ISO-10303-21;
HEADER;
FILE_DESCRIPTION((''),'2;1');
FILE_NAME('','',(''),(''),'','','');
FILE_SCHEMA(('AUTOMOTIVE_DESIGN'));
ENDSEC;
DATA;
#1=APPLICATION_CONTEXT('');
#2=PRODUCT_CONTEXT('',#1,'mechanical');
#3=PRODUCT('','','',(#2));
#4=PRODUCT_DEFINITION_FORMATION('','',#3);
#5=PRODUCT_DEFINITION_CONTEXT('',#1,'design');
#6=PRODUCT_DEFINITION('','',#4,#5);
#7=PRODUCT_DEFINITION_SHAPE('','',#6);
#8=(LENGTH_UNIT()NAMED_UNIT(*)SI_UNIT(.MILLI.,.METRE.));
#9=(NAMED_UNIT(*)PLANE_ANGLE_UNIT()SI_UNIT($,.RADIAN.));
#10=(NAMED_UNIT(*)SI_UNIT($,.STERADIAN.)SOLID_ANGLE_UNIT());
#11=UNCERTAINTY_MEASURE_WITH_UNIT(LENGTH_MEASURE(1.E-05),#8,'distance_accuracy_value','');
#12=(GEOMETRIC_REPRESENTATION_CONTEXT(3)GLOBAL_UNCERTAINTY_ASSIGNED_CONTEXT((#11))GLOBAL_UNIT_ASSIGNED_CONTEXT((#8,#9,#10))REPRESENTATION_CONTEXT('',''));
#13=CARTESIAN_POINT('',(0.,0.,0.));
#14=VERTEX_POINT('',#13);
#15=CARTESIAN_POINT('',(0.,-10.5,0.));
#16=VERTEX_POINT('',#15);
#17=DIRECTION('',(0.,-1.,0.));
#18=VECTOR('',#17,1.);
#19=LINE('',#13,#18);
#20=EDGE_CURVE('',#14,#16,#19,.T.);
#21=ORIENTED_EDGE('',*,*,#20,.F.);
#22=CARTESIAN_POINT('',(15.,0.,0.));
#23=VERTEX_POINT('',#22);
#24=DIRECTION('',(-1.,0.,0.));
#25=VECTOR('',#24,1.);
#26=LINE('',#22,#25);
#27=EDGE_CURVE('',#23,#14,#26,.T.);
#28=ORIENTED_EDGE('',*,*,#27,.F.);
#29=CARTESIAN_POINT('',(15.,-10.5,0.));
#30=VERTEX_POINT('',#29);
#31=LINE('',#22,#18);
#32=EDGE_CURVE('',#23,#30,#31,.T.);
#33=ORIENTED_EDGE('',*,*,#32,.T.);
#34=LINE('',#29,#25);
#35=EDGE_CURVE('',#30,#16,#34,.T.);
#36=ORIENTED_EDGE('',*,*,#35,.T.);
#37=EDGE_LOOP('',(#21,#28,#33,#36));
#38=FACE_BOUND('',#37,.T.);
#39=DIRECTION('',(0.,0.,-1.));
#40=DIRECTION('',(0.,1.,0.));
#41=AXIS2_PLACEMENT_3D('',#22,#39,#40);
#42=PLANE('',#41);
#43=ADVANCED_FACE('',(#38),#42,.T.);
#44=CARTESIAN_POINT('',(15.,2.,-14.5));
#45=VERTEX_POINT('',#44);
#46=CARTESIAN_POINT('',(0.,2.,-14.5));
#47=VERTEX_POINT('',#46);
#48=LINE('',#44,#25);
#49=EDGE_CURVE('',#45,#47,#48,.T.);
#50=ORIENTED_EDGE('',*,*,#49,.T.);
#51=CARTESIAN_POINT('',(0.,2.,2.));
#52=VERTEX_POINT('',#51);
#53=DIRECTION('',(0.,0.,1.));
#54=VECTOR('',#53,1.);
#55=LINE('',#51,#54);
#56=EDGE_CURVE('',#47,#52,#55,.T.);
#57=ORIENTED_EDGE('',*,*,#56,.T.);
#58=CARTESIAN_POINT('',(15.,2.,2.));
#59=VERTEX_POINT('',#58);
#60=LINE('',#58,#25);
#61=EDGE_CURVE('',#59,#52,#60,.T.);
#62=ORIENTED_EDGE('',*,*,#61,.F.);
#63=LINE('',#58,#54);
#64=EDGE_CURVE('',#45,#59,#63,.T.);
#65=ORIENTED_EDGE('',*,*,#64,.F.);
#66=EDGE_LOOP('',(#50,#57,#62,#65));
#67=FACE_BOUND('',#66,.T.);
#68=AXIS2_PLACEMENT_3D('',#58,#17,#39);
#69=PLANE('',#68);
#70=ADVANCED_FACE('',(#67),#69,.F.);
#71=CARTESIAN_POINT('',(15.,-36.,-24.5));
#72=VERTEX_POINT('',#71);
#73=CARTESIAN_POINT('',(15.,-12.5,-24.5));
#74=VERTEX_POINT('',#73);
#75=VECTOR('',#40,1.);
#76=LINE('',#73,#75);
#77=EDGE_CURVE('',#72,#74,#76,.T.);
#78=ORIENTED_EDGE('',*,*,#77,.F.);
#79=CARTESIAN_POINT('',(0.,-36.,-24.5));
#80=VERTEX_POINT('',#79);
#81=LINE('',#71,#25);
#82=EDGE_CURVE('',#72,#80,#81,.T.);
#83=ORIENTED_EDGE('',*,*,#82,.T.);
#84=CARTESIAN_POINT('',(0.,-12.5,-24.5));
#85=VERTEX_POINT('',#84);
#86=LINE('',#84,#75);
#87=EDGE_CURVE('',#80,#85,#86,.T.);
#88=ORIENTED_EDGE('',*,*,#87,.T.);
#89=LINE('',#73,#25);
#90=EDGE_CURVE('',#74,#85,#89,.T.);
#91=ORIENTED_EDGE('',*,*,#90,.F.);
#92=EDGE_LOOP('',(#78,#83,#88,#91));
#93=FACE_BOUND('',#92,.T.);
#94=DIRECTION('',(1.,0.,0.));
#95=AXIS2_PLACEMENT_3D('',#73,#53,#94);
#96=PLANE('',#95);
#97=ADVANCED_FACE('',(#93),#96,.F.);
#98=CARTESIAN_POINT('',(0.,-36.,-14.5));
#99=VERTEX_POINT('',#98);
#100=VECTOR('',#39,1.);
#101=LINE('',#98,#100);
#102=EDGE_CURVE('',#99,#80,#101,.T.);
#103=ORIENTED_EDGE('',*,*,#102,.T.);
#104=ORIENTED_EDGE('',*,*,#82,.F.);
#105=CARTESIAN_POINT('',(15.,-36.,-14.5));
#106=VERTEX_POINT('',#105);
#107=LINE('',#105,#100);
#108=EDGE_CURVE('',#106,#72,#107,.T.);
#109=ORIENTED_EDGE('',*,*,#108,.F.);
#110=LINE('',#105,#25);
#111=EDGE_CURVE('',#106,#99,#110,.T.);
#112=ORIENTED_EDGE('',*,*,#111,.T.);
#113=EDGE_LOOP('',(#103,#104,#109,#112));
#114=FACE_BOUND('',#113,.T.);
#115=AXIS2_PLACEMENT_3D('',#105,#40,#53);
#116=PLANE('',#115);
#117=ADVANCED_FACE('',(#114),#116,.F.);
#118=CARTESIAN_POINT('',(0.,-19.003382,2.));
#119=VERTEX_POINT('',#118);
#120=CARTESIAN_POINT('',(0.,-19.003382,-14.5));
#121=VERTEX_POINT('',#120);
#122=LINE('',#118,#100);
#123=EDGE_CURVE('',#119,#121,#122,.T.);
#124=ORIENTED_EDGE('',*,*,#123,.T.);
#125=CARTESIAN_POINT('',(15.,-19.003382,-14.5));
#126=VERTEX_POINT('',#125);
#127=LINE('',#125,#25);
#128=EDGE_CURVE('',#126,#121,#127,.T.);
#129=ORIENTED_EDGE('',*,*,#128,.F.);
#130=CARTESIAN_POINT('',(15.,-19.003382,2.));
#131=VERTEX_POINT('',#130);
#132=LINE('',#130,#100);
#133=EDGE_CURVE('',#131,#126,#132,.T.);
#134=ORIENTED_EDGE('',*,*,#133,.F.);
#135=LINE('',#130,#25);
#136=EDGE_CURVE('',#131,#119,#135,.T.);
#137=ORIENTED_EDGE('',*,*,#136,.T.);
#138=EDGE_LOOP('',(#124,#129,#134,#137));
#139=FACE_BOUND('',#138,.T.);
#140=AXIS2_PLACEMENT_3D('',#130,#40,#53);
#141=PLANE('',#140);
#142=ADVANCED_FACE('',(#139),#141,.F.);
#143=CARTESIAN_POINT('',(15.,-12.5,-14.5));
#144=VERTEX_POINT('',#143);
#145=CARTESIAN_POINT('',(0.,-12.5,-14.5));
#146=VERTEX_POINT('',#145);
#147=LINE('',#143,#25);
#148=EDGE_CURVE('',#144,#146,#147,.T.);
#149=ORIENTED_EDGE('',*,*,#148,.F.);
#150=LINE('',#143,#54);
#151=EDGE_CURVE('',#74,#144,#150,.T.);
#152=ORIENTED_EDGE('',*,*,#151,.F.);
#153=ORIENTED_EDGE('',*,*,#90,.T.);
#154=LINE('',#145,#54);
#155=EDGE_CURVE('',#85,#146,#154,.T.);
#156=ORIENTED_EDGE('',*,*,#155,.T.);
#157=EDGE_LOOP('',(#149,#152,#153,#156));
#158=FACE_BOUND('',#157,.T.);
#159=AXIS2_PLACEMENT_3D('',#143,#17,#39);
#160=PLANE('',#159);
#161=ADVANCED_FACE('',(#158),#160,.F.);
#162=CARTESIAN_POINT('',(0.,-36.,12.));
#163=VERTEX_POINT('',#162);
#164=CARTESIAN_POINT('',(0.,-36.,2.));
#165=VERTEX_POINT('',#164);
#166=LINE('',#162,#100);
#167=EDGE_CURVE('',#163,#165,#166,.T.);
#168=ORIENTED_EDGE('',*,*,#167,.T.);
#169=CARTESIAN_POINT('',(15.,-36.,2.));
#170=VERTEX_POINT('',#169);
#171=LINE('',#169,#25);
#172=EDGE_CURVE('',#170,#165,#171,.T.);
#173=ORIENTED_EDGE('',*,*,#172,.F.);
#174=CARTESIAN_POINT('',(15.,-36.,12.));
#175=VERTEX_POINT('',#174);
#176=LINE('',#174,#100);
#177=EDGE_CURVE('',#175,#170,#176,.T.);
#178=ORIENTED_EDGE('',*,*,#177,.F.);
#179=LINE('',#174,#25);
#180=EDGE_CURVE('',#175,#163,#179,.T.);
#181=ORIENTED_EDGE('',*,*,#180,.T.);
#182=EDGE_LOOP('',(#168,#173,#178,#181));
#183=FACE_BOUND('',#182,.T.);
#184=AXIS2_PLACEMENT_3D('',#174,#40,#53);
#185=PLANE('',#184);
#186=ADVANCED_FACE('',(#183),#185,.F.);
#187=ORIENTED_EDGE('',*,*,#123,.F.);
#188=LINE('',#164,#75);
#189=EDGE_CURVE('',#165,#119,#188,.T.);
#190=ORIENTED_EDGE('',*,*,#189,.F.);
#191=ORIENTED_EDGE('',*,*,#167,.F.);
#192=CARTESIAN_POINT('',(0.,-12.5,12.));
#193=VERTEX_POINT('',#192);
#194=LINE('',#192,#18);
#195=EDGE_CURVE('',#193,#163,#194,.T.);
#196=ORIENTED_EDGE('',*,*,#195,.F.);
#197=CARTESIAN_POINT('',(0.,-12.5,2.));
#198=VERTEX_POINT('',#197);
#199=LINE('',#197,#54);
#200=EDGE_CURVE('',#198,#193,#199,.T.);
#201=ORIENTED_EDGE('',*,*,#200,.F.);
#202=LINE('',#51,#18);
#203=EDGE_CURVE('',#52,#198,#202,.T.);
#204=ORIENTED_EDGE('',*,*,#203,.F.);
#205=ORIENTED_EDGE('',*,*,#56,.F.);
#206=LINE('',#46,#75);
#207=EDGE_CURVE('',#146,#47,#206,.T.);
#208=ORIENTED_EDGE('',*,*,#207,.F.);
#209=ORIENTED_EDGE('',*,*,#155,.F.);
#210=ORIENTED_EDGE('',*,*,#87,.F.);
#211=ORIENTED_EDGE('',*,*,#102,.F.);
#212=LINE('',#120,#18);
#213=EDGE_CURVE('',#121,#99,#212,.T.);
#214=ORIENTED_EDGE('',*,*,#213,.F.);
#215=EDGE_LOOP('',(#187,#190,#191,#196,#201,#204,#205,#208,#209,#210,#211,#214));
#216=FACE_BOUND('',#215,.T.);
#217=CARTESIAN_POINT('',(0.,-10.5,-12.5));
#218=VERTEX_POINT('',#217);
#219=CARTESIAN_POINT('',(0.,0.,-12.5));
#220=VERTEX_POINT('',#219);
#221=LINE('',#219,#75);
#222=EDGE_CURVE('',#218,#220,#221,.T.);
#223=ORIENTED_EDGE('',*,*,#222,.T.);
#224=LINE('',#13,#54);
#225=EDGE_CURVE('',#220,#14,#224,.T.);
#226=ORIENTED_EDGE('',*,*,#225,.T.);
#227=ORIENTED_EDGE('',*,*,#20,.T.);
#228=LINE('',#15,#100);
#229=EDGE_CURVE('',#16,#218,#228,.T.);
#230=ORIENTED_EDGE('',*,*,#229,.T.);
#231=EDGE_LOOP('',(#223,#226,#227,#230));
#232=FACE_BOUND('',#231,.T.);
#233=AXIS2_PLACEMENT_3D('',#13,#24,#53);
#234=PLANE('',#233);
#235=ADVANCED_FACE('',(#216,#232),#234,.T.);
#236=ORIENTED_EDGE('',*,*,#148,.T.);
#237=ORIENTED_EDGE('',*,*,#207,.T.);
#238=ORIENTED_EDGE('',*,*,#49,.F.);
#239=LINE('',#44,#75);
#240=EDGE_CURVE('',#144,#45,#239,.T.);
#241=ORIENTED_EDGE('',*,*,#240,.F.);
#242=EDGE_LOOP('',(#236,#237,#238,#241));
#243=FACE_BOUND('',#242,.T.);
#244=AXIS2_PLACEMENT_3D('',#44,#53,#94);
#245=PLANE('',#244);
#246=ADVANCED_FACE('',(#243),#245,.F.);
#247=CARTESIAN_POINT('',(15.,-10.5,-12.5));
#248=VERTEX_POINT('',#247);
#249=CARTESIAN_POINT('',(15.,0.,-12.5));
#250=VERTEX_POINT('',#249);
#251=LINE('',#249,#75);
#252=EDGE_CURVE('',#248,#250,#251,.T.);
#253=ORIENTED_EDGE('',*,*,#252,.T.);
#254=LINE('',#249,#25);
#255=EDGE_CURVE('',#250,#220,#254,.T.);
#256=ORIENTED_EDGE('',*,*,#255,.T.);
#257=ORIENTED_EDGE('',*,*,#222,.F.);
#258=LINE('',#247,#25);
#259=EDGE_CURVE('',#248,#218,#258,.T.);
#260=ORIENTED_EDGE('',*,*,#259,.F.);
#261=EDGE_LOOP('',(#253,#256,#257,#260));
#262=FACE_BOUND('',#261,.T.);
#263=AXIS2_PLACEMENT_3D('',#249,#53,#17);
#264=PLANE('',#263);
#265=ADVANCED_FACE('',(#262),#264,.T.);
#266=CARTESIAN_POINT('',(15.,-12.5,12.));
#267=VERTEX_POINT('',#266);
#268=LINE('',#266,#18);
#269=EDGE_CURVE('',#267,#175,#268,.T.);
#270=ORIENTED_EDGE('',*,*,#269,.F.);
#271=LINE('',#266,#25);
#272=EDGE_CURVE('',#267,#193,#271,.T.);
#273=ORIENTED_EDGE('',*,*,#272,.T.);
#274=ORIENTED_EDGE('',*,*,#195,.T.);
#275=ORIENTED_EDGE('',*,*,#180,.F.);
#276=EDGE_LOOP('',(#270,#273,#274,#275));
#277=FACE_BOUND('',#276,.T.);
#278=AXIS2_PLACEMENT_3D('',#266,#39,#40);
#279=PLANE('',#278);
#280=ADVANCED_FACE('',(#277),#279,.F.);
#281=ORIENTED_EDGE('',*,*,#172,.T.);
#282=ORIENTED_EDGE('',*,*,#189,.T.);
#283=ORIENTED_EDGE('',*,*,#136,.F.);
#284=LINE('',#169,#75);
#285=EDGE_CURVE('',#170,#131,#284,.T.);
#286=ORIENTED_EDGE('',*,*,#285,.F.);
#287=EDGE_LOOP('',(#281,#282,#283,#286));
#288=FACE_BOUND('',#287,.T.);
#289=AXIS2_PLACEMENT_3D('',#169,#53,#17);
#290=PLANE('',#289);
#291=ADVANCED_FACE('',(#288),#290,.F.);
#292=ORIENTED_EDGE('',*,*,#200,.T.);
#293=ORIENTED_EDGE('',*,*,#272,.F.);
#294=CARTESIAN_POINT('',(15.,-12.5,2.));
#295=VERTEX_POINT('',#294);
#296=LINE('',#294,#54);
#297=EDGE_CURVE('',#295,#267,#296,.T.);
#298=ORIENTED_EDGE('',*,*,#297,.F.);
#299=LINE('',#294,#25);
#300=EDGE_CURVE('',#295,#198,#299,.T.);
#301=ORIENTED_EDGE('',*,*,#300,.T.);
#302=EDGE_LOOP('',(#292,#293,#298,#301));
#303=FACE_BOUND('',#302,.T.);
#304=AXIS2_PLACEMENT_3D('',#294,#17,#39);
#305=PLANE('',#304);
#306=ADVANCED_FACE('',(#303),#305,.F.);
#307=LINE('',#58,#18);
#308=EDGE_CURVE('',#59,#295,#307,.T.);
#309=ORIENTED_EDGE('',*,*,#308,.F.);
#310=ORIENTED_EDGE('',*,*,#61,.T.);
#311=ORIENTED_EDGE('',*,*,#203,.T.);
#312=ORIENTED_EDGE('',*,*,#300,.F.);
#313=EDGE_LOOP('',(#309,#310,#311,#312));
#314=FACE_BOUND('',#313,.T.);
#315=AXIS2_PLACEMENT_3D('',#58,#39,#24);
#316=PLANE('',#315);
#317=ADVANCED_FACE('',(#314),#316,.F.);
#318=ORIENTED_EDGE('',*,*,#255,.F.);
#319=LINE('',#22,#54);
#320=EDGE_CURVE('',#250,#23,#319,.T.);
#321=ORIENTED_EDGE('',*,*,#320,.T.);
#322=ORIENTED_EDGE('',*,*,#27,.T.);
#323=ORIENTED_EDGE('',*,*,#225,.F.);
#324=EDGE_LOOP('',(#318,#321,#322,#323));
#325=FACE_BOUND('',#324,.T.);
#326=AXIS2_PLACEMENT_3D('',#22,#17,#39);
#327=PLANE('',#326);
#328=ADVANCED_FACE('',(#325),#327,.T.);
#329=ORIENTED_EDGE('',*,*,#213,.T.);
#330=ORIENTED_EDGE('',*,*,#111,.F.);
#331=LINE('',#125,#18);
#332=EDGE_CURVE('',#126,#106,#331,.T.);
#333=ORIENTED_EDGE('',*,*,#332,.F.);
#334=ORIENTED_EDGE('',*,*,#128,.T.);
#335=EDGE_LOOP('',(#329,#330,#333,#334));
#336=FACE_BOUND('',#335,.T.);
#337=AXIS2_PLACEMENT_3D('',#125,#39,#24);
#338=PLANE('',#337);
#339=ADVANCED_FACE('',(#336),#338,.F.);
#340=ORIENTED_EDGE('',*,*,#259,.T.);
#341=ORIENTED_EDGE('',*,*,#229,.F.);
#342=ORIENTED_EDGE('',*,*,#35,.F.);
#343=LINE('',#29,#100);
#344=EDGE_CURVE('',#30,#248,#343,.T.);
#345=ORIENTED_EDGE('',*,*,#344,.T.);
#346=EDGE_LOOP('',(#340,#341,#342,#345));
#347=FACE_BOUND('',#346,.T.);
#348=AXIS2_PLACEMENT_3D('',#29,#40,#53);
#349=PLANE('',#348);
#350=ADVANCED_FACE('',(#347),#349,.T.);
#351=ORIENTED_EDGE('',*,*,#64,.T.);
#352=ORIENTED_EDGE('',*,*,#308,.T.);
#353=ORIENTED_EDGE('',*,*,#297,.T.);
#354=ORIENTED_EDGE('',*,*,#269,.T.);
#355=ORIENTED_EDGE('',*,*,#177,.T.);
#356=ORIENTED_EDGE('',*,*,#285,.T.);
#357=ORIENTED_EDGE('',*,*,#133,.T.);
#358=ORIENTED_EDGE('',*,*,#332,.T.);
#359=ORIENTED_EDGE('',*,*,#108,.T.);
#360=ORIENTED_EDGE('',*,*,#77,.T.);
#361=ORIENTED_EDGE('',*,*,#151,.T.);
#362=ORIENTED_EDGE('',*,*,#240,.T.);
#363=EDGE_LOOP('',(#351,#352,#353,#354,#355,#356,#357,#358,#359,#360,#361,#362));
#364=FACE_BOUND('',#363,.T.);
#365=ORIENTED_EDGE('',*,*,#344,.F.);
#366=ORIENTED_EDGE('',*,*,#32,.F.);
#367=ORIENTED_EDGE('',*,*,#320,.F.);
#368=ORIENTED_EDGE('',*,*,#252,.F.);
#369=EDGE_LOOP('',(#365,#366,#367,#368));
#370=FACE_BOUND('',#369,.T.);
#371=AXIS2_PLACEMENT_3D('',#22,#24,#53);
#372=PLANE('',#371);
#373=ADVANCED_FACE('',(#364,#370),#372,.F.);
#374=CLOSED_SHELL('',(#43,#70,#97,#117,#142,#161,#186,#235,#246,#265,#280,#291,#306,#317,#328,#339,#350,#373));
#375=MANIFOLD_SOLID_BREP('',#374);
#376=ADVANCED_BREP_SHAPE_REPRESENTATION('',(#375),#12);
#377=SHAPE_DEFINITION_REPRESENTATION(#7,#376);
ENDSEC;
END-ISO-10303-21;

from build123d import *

# Parameters (mm, degrees)
SKETCH1_W           = 12.5
SKETCH1_H           = 10.5
BOSS_EXTRUDE1_DEPTH = 15


with BuildPart() as part:
    # Sketch1 → Boss-Extrude1 (new body)
    with BuildSketch(Plane(origin=(0, 0, 0), x_dir=(0, 0, -1), z_dir=(1, 0, 0))):
        Polygon((-2, 2), (-2, -12.5), (-12, -12.5), (-12, -36), (-2, -36), (-2, -19.003381794), (14.5, -19.003381794), (14.5, -36), (24.5, -36), (24.5, -12.5), (14.5, -12.5), (14.5, 2), align=None)
        with Locations((6.25, -5.25)):
            Rectangle(SKETCH1_W, SKETCH1_H, mode=Mode.SUBTRACT)
    extrude(amount=BOSS_EXTRUDE1_DEPTH)


solid = part.part
